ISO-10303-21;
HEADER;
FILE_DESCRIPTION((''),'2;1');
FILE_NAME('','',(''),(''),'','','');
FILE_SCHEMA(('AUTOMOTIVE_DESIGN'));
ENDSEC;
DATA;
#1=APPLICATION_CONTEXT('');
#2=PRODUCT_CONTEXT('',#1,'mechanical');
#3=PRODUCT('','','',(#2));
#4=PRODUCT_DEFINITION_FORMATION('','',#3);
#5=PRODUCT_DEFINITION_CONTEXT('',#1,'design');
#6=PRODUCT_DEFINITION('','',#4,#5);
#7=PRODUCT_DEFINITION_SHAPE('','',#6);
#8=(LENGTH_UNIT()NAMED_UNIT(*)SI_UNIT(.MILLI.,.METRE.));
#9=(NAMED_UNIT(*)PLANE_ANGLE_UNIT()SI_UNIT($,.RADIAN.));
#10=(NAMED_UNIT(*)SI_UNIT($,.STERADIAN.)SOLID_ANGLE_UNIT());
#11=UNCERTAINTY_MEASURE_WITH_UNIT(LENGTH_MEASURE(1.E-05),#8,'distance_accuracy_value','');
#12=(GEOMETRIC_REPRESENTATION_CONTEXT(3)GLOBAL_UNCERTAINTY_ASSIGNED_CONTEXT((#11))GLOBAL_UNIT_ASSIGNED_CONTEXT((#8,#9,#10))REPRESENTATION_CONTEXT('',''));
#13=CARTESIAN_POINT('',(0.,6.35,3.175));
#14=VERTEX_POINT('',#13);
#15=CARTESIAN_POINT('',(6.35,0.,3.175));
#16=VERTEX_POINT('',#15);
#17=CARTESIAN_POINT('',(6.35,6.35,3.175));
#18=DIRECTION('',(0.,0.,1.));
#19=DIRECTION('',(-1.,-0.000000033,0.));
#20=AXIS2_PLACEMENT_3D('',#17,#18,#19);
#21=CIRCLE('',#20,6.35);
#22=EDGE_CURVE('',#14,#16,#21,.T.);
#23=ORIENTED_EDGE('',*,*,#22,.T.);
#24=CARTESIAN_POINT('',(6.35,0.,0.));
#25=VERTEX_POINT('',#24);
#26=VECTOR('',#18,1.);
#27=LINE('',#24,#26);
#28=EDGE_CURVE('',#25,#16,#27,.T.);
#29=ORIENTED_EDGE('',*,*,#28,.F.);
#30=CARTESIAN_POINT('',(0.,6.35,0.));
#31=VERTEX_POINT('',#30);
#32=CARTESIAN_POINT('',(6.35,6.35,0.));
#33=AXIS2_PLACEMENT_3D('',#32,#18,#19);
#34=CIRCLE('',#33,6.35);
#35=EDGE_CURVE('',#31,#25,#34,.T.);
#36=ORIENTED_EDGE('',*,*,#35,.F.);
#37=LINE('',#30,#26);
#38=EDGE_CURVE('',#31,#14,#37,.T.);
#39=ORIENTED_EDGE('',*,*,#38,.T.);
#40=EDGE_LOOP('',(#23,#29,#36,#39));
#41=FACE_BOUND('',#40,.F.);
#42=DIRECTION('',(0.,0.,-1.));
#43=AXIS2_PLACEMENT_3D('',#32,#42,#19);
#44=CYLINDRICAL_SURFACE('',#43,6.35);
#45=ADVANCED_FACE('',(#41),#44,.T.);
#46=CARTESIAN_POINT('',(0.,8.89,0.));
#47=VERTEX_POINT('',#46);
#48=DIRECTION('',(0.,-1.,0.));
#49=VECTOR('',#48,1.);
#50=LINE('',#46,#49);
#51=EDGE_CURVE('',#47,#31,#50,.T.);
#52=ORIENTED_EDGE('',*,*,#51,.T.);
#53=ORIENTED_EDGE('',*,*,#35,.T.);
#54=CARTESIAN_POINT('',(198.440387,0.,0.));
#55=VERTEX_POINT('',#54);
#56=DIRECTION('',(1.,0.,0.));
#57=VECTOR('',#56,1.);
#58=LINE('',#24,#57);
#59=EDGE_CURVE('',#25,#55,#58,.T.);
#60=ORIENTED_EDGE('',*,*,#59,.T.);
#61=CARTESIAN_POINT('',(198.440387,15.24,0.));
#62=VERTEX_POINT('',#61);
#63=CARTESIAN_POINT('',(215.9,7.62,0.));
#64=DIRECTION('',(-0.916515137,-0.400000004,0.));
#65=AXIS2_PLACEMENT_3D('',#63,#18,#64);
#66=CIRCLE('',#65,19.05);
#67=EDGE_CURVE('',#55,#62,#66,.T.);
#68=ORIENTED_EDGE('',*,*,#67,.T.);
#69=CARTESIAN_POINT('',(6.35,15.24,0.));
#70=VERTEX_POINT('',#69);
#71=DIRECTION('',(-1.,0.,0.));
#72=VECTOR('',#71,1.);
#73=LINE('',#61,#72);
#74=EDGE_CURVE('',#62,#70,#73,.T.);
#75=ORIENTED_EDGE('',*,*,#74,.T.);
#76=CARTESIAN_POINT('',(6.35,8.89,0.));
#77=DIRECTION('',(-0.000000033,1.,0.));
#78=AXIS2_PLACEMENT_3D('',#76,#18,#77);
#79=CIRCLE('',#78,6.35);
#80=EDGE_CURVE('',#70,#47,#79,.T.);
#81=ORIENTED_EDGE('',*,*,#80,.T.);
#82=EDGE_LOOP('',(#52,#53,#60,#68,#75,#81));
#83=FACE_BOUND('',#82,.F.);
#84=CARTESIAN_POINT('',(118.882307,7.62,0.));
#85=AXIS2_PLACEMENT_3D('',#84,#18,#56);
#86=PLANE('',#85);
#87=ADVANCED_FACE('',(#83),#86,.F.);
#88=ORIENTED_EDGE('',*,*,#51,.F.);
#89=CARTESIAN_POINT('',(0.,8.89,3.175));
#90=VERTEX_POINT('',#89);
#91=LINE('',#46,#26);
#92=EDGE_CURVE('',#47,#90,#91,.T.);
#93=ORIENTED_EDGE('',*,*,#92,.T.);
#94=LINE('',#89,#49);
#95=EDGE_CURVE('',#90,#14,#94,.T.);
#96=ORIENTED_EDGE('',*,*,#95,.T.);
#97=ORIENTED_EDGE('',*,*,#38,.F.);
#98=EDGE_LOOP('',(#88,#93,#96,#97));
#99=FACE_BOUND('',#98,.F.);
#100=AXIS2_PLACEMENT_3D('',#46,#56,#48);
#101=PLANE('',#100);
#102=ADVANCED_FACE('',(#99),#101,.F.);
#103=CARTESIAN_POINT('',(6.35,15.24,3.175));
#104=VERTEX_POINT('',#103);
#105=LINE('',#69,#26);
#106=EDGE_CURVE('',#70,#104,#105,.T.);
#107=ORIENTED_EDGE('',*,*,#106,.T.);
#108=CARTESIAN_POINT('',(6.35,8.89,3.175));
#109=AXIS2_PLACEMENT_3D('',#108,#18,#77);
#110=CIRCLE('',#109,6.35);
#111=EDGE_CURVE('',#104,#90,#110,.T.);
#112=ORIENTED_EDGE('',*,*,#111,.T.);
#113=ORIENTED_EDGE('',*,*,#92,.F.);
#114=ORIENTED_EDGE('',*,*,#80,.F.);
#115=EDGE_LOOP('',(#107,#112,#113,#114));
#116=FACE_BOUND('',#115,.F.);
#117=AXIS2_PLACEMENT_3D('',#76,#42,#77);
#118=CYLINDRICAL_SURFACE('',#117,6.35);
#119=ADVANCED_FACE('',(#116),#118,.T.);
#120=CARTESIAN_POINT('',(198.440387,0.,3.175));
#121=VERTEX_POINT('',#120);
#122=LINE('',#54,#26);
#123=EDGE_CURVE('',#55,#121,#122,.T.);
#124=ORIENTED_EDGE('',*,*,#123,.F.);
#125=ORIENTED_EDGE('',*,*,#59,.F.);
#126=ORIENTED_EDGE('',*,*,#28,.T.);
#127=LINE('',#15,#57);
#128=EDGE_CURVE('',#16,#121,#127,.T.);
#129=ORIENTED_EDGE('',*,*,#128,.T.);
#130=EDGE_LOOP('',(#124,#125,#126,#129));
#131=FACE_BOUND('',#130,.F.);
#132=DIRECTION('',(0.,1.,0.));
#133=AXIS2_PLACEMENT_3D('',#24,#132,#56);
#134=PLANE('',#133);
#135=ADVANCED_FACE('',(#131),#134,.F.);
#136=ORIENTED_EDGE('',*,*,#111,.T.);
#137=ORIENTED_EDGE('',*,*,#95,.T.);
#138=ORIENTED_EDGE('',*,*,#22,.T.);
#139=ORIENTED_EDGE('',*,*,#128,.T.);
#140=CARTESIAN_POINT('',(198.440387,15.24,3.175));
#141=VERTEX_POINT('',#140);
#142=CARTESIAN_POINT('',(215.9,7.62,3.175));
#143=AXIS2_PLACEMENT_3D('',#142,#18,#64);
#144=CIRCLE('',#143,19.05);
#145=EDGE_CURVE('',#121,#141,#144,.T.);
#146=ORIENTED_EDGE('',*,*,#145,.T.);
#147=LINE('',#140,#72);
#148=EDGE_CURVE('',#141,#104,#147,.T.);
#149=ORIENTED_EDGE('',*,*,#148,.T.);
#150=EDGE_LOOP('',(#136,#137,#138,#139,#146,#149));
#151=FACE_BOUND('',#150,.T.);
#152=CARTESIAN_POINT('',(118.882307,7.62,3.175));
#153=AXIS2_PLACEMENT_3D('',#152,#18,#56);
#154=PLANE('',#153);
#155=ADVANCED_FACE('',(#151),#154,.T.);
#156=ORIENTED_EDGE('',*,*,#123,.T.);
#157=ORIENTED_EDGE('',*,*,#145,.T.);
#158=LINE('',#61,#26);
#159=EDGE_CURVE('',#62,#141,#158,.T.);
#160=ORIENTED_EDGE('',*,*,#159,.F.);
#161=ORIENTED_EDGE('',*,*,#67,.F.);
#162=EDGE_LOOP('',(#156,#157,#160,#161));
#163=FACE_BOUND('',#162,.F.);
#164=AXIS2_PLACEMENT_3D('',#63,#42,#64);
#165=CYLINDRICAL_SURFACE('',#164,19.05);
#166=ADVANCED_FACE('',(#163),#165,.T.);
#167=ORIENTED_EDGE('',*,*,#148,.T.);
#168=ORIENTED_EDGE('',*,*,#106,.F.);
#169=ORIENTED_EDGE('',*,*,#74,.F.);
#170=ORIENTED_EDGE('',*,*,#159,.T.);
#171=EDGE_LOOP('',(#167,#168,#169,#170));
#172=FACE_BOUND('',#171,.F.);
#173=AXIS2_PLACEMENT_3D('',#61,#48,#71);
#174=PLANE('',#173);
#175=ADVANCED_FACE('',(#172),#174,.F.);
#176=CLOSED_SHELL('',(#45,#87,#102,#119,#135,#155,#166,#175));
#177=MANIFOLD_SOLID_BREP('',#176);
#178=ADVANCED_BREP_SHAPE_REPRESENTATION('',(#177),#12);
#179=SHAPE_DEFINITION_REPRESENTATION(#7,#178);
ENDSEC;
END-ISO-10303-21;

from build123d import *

# Parameters (mm, degrees)
F1_DEPTH = 3.175


with BuildPart() as f1:
    # F0 (on Top) → F1 (new body)
    with BuildSketch(Plane.XY):
        with BuildLine():
            ThreePointArc((0, 6.35), (1.859872, 1.859872), (6.35, 0))
            Line((6.35, 0), (198.440387, 0))
            ThreePointArc((198.440387, 0), (234.95, 7.62), (198.440387, 15.24))
            Line((198.440387, 15.24), (6.35, 15.24))
            ThreePointArc((6.35, 15.24), (1.859872, 13.380128), (0, 8.89))
            Line((0, 8.89), (0, 6.35))
        make_face()
    extrude(amount=F1_DEPTH)


solid = f1.part
